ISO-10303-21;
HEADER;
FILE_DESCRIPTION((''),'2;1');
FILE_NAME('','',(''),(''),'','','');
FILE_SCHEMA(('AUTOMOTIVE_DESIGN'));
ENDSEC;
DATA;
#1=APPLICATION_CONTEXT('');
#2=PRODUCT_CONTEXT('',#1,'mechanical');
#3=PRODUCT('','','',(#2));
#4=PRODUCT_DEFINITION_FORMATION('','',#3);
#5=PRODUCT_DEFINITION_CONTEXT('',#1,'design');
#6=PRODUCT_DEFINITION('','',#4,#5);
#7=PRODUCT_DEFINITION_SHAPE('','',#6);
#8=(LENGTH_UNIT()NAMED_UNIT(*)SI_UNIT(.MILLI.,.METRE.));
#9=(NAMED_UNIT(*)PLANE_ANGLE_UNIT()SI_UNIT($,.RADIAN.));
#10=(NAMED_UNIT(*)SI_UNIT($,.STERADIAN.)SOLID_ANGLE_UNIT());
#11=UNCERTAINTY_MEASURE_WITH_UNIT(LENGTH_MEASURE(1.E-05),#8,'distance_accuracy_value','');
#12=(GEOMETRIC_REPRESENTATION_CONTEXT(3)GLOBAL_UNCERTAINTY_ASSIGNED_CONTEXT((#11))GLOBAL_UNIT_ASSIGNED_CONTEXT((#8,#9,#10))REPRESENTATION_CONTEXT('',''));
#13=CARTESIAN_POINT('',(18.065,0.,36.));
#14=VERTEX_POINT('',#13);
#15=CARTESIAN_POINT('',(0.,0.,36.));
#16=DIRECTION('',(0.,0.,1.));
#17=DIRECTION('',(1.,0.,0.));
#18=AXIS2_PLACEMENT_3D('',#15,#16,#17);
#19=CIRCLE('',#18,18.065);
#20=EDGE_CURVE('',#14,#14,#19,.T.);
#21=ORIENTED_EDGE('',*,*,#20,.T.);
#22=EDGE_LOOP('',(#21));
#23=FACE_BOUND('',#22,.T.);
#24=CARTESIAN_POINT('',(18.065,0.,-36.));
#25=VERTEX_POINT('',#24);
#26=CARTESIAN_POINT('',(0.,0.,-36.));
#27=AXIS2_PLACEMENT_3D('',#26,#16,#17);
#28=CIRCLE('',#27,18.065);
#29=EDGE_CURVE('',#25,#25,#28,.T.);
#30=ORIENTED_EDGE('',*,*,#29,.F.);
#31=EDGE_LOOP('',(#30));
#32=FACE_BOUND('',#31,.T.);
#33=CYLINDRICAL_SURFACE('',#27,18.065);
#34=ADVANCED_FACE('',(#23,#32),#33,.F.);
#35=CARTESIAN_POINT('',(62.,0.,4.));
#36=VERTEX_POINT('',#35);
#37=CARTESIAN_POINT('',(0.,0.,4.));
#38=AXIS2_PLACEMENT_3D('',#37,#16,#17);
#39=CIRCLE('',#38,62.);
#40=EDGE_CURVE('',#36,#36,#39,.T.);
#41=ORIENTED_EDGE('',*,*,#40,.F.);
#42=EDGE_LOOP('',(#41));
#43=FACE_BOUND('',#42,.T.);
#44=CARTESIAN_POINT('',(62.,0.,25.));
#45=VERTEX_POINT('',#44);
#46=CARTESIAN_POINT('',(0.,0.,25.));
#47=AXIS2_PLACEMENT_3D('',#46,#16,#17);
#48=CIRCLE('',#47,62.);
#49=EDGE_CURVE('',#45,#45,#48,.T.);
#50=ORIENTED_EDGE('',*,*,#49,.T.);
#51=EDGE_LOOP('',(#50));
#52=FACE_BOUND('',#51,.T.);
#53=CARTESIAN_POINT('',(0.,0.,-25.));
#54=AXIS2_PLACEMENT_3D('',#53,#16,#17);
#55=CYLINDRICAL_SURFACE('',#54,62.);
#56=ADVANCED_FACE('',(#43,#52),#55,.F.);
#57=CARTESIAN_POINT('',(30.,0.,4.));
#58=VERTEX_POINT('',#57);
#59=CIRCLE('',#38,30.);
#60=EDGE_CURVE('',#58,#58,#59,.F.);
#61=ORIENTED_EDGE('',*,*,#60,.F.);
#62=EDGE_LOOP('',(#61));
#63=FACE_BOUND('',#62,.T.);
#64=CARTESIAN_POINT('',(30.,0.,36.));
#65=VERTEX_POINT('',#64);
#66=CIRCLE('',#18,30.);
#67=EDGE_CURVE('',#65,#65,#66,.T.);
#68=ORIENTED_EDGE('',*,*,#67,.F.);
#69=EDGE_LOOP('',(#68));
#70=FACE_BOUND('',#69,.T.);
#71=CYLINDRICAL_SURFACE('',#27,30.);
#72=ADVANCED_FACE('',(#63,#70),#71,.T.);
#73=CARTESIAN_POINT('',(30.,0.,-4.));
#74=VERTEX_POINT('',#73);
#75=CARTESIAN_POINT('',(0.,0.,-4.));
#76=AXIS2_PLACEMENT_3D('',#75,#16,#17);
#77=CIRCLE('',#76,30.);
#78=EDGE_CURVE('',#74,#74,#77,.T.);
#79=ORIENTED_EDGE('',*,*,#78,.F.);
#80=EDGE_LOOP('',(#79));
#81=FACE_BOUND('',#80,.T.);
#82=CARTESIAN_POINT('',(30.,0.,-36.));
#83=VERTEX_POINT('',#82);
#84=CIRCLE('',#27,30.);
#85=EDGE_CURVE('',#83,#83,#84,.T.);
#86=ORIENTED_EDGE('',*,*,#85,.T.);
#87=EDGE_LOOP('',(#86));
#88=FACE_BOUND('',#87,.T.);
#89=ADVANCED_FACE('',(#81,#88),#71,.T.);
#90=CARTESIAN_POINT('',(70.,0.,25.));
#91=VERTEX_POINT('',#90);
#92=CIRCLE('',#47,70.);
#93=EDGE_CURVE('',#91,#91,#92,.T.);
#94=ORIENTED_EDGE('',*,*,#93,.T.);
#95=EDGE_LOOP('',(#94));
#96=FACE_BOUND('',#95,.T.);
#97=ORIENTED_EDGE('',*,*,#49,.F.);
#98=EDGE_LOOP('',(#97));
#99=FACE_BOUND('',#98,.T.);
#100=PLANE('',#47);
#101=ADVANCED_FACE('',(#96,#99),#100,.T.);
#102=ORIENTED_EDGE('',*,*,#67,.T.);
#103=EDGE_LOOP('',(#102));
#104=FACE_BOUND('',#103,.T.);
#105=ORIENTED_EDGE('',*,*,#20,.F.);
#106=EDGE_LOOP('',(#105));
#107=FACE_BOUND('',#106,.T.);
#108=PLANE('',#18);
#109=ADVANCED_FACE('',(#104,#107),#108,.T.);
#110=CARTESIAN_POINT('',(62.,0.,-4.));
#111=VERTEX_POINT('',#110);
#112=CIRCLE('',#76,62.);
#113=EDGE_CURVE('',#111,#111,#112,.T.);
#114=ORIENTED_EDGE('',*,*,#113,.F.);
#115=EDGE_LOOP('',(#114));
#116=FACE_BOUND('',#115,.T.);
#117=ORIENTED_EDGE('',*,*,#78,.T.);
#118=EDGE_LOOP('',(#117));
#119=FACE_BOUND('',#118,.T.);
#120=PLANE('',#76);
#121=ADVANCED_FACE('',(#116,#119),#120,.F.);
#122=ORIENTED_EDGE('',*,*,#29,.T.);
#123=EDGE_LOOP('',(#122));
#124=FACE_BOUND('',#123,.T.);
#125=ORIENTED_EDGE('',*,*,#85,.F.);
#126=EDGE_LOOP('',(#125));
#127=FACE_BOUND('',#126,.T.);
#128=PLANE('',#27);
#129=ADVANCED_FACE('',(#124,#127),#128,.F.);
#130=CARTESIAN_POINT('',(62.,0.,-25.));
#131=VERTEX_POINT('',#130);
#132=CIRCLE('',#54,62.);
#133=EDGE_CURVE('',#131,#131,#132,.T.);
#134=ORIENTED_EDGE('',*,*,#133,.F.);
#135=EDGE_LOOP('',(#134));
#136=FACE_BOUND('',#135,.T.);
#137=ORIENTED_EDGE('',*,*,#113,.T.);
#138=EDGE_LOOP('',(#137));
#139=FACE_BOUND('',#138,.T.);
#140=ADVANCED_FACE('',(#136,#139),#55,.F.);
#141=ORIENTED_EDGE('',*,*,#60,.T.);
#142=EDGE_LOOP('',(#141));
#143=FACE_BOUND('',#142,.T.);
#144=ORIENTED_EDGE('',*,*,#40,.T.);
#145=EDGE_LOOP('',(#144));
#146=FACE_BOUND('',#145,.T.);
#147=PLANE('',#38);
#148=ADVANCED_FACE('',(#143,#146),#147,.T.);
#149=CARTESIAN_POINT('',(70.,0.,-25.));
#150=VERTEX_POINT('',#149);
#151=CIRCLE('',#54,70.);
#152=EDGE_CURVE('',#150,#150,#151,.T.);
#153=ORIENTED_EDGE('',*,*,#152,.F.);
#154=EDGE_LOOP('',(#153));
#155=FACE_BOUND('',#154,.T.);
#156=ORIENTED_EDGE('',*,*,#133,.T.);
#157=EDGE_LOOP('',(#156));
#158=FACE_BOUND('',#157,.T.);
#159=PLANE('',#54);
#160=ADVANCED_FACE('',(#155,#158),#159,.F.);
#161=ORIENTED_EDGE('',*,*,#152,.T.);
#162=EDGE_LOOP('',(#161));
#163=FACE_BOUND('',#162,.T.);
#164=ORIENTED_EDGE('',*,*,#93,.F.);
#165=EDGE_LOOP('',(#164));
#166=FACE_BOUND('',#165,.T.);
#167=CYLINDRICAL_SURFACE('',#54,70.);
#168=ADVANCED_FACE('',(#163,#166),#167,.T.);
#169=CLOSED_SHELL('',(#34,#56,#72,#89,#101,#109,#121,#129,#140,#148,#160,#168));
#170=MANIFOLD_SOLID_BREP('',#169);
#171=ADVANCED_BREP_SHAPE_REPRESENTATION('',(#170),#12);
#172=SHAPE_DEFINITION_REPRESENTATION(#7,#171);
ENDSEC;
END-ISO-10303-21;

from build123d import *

# Parameters (mm, degrees)
BOSS_EXTRUDE1_DEPTH      = 36
BOSS_EXTRUDE1_DEPTH_BACK = 36
SKETCH1_R                = 30
SKETCH1_R_2              = 18.065
BOSS_EXTRUDE2_DEPTH      = 4
BOSS_EXTRUDE2_DEPTH_BACK = 4
SKETCH1_3_R              = 62
SKETCH1_3_R_2            = 30
BOSS_EXTRUDE3_DEPTH      = 25
BOSS_EXTRUDE3_DEPTH_BACK = 25
SKETCH1_4_R              = 70
SKETCH1_4_R_2            = 62


with BuildPart() as part:
    # Sketch1 → Boss-Extrude1 (new, two sides: drawn at the far end of the back side and taken through both)
    with BuildSketch(Plane.XY.offset(-BOSS_EXTRUDE1_DEPTH_BACK)):
        Circle(SKETCH1_R)
        Circle(SKETCH1_R_2, mode=Mode.SUBTRACT)
    extrude(amount=BOSS_EXTRUDE1_DEPTH + BOSS_EXTRUDE1_DEPTH_BACK)

    # Sketch1<3> → Boss-Extrude2 (add, two sides: drawn at the far end of the back side and taken through both)
    with BuildSketch(Plane.XY.offset(-BOSS_EXTRUDE2_DEPTH_BACK)):
        Circle(SKETCH1_3_R)
        Circle(SKETCH1_3_R_2, mode=Mode.SUBTRACT)
    extrude(amount=BOSS_EXTRUDE2_DEPTH + BOSS_EXTRUDE2_DEPTH_BACK)

    # Sketch1<4> → Boss-Extrude3 (add, two sides: drawn at the far end of the back side and taken through both)
    with BuildSketch(Plane.XY.offset(-BOSS_EXTRUDE3_DEPTH_BACK)):
        Circle(SKETCH1_4_R)
        Circle(SKETCH1_4_R_2, mode=Mode.SUBTRACT)
    extrude(amount=BOSS_EXTRUDE3_DEPTH + BOSS_EXTRUDE3_DEPTH_BACK)


solid = part.part
